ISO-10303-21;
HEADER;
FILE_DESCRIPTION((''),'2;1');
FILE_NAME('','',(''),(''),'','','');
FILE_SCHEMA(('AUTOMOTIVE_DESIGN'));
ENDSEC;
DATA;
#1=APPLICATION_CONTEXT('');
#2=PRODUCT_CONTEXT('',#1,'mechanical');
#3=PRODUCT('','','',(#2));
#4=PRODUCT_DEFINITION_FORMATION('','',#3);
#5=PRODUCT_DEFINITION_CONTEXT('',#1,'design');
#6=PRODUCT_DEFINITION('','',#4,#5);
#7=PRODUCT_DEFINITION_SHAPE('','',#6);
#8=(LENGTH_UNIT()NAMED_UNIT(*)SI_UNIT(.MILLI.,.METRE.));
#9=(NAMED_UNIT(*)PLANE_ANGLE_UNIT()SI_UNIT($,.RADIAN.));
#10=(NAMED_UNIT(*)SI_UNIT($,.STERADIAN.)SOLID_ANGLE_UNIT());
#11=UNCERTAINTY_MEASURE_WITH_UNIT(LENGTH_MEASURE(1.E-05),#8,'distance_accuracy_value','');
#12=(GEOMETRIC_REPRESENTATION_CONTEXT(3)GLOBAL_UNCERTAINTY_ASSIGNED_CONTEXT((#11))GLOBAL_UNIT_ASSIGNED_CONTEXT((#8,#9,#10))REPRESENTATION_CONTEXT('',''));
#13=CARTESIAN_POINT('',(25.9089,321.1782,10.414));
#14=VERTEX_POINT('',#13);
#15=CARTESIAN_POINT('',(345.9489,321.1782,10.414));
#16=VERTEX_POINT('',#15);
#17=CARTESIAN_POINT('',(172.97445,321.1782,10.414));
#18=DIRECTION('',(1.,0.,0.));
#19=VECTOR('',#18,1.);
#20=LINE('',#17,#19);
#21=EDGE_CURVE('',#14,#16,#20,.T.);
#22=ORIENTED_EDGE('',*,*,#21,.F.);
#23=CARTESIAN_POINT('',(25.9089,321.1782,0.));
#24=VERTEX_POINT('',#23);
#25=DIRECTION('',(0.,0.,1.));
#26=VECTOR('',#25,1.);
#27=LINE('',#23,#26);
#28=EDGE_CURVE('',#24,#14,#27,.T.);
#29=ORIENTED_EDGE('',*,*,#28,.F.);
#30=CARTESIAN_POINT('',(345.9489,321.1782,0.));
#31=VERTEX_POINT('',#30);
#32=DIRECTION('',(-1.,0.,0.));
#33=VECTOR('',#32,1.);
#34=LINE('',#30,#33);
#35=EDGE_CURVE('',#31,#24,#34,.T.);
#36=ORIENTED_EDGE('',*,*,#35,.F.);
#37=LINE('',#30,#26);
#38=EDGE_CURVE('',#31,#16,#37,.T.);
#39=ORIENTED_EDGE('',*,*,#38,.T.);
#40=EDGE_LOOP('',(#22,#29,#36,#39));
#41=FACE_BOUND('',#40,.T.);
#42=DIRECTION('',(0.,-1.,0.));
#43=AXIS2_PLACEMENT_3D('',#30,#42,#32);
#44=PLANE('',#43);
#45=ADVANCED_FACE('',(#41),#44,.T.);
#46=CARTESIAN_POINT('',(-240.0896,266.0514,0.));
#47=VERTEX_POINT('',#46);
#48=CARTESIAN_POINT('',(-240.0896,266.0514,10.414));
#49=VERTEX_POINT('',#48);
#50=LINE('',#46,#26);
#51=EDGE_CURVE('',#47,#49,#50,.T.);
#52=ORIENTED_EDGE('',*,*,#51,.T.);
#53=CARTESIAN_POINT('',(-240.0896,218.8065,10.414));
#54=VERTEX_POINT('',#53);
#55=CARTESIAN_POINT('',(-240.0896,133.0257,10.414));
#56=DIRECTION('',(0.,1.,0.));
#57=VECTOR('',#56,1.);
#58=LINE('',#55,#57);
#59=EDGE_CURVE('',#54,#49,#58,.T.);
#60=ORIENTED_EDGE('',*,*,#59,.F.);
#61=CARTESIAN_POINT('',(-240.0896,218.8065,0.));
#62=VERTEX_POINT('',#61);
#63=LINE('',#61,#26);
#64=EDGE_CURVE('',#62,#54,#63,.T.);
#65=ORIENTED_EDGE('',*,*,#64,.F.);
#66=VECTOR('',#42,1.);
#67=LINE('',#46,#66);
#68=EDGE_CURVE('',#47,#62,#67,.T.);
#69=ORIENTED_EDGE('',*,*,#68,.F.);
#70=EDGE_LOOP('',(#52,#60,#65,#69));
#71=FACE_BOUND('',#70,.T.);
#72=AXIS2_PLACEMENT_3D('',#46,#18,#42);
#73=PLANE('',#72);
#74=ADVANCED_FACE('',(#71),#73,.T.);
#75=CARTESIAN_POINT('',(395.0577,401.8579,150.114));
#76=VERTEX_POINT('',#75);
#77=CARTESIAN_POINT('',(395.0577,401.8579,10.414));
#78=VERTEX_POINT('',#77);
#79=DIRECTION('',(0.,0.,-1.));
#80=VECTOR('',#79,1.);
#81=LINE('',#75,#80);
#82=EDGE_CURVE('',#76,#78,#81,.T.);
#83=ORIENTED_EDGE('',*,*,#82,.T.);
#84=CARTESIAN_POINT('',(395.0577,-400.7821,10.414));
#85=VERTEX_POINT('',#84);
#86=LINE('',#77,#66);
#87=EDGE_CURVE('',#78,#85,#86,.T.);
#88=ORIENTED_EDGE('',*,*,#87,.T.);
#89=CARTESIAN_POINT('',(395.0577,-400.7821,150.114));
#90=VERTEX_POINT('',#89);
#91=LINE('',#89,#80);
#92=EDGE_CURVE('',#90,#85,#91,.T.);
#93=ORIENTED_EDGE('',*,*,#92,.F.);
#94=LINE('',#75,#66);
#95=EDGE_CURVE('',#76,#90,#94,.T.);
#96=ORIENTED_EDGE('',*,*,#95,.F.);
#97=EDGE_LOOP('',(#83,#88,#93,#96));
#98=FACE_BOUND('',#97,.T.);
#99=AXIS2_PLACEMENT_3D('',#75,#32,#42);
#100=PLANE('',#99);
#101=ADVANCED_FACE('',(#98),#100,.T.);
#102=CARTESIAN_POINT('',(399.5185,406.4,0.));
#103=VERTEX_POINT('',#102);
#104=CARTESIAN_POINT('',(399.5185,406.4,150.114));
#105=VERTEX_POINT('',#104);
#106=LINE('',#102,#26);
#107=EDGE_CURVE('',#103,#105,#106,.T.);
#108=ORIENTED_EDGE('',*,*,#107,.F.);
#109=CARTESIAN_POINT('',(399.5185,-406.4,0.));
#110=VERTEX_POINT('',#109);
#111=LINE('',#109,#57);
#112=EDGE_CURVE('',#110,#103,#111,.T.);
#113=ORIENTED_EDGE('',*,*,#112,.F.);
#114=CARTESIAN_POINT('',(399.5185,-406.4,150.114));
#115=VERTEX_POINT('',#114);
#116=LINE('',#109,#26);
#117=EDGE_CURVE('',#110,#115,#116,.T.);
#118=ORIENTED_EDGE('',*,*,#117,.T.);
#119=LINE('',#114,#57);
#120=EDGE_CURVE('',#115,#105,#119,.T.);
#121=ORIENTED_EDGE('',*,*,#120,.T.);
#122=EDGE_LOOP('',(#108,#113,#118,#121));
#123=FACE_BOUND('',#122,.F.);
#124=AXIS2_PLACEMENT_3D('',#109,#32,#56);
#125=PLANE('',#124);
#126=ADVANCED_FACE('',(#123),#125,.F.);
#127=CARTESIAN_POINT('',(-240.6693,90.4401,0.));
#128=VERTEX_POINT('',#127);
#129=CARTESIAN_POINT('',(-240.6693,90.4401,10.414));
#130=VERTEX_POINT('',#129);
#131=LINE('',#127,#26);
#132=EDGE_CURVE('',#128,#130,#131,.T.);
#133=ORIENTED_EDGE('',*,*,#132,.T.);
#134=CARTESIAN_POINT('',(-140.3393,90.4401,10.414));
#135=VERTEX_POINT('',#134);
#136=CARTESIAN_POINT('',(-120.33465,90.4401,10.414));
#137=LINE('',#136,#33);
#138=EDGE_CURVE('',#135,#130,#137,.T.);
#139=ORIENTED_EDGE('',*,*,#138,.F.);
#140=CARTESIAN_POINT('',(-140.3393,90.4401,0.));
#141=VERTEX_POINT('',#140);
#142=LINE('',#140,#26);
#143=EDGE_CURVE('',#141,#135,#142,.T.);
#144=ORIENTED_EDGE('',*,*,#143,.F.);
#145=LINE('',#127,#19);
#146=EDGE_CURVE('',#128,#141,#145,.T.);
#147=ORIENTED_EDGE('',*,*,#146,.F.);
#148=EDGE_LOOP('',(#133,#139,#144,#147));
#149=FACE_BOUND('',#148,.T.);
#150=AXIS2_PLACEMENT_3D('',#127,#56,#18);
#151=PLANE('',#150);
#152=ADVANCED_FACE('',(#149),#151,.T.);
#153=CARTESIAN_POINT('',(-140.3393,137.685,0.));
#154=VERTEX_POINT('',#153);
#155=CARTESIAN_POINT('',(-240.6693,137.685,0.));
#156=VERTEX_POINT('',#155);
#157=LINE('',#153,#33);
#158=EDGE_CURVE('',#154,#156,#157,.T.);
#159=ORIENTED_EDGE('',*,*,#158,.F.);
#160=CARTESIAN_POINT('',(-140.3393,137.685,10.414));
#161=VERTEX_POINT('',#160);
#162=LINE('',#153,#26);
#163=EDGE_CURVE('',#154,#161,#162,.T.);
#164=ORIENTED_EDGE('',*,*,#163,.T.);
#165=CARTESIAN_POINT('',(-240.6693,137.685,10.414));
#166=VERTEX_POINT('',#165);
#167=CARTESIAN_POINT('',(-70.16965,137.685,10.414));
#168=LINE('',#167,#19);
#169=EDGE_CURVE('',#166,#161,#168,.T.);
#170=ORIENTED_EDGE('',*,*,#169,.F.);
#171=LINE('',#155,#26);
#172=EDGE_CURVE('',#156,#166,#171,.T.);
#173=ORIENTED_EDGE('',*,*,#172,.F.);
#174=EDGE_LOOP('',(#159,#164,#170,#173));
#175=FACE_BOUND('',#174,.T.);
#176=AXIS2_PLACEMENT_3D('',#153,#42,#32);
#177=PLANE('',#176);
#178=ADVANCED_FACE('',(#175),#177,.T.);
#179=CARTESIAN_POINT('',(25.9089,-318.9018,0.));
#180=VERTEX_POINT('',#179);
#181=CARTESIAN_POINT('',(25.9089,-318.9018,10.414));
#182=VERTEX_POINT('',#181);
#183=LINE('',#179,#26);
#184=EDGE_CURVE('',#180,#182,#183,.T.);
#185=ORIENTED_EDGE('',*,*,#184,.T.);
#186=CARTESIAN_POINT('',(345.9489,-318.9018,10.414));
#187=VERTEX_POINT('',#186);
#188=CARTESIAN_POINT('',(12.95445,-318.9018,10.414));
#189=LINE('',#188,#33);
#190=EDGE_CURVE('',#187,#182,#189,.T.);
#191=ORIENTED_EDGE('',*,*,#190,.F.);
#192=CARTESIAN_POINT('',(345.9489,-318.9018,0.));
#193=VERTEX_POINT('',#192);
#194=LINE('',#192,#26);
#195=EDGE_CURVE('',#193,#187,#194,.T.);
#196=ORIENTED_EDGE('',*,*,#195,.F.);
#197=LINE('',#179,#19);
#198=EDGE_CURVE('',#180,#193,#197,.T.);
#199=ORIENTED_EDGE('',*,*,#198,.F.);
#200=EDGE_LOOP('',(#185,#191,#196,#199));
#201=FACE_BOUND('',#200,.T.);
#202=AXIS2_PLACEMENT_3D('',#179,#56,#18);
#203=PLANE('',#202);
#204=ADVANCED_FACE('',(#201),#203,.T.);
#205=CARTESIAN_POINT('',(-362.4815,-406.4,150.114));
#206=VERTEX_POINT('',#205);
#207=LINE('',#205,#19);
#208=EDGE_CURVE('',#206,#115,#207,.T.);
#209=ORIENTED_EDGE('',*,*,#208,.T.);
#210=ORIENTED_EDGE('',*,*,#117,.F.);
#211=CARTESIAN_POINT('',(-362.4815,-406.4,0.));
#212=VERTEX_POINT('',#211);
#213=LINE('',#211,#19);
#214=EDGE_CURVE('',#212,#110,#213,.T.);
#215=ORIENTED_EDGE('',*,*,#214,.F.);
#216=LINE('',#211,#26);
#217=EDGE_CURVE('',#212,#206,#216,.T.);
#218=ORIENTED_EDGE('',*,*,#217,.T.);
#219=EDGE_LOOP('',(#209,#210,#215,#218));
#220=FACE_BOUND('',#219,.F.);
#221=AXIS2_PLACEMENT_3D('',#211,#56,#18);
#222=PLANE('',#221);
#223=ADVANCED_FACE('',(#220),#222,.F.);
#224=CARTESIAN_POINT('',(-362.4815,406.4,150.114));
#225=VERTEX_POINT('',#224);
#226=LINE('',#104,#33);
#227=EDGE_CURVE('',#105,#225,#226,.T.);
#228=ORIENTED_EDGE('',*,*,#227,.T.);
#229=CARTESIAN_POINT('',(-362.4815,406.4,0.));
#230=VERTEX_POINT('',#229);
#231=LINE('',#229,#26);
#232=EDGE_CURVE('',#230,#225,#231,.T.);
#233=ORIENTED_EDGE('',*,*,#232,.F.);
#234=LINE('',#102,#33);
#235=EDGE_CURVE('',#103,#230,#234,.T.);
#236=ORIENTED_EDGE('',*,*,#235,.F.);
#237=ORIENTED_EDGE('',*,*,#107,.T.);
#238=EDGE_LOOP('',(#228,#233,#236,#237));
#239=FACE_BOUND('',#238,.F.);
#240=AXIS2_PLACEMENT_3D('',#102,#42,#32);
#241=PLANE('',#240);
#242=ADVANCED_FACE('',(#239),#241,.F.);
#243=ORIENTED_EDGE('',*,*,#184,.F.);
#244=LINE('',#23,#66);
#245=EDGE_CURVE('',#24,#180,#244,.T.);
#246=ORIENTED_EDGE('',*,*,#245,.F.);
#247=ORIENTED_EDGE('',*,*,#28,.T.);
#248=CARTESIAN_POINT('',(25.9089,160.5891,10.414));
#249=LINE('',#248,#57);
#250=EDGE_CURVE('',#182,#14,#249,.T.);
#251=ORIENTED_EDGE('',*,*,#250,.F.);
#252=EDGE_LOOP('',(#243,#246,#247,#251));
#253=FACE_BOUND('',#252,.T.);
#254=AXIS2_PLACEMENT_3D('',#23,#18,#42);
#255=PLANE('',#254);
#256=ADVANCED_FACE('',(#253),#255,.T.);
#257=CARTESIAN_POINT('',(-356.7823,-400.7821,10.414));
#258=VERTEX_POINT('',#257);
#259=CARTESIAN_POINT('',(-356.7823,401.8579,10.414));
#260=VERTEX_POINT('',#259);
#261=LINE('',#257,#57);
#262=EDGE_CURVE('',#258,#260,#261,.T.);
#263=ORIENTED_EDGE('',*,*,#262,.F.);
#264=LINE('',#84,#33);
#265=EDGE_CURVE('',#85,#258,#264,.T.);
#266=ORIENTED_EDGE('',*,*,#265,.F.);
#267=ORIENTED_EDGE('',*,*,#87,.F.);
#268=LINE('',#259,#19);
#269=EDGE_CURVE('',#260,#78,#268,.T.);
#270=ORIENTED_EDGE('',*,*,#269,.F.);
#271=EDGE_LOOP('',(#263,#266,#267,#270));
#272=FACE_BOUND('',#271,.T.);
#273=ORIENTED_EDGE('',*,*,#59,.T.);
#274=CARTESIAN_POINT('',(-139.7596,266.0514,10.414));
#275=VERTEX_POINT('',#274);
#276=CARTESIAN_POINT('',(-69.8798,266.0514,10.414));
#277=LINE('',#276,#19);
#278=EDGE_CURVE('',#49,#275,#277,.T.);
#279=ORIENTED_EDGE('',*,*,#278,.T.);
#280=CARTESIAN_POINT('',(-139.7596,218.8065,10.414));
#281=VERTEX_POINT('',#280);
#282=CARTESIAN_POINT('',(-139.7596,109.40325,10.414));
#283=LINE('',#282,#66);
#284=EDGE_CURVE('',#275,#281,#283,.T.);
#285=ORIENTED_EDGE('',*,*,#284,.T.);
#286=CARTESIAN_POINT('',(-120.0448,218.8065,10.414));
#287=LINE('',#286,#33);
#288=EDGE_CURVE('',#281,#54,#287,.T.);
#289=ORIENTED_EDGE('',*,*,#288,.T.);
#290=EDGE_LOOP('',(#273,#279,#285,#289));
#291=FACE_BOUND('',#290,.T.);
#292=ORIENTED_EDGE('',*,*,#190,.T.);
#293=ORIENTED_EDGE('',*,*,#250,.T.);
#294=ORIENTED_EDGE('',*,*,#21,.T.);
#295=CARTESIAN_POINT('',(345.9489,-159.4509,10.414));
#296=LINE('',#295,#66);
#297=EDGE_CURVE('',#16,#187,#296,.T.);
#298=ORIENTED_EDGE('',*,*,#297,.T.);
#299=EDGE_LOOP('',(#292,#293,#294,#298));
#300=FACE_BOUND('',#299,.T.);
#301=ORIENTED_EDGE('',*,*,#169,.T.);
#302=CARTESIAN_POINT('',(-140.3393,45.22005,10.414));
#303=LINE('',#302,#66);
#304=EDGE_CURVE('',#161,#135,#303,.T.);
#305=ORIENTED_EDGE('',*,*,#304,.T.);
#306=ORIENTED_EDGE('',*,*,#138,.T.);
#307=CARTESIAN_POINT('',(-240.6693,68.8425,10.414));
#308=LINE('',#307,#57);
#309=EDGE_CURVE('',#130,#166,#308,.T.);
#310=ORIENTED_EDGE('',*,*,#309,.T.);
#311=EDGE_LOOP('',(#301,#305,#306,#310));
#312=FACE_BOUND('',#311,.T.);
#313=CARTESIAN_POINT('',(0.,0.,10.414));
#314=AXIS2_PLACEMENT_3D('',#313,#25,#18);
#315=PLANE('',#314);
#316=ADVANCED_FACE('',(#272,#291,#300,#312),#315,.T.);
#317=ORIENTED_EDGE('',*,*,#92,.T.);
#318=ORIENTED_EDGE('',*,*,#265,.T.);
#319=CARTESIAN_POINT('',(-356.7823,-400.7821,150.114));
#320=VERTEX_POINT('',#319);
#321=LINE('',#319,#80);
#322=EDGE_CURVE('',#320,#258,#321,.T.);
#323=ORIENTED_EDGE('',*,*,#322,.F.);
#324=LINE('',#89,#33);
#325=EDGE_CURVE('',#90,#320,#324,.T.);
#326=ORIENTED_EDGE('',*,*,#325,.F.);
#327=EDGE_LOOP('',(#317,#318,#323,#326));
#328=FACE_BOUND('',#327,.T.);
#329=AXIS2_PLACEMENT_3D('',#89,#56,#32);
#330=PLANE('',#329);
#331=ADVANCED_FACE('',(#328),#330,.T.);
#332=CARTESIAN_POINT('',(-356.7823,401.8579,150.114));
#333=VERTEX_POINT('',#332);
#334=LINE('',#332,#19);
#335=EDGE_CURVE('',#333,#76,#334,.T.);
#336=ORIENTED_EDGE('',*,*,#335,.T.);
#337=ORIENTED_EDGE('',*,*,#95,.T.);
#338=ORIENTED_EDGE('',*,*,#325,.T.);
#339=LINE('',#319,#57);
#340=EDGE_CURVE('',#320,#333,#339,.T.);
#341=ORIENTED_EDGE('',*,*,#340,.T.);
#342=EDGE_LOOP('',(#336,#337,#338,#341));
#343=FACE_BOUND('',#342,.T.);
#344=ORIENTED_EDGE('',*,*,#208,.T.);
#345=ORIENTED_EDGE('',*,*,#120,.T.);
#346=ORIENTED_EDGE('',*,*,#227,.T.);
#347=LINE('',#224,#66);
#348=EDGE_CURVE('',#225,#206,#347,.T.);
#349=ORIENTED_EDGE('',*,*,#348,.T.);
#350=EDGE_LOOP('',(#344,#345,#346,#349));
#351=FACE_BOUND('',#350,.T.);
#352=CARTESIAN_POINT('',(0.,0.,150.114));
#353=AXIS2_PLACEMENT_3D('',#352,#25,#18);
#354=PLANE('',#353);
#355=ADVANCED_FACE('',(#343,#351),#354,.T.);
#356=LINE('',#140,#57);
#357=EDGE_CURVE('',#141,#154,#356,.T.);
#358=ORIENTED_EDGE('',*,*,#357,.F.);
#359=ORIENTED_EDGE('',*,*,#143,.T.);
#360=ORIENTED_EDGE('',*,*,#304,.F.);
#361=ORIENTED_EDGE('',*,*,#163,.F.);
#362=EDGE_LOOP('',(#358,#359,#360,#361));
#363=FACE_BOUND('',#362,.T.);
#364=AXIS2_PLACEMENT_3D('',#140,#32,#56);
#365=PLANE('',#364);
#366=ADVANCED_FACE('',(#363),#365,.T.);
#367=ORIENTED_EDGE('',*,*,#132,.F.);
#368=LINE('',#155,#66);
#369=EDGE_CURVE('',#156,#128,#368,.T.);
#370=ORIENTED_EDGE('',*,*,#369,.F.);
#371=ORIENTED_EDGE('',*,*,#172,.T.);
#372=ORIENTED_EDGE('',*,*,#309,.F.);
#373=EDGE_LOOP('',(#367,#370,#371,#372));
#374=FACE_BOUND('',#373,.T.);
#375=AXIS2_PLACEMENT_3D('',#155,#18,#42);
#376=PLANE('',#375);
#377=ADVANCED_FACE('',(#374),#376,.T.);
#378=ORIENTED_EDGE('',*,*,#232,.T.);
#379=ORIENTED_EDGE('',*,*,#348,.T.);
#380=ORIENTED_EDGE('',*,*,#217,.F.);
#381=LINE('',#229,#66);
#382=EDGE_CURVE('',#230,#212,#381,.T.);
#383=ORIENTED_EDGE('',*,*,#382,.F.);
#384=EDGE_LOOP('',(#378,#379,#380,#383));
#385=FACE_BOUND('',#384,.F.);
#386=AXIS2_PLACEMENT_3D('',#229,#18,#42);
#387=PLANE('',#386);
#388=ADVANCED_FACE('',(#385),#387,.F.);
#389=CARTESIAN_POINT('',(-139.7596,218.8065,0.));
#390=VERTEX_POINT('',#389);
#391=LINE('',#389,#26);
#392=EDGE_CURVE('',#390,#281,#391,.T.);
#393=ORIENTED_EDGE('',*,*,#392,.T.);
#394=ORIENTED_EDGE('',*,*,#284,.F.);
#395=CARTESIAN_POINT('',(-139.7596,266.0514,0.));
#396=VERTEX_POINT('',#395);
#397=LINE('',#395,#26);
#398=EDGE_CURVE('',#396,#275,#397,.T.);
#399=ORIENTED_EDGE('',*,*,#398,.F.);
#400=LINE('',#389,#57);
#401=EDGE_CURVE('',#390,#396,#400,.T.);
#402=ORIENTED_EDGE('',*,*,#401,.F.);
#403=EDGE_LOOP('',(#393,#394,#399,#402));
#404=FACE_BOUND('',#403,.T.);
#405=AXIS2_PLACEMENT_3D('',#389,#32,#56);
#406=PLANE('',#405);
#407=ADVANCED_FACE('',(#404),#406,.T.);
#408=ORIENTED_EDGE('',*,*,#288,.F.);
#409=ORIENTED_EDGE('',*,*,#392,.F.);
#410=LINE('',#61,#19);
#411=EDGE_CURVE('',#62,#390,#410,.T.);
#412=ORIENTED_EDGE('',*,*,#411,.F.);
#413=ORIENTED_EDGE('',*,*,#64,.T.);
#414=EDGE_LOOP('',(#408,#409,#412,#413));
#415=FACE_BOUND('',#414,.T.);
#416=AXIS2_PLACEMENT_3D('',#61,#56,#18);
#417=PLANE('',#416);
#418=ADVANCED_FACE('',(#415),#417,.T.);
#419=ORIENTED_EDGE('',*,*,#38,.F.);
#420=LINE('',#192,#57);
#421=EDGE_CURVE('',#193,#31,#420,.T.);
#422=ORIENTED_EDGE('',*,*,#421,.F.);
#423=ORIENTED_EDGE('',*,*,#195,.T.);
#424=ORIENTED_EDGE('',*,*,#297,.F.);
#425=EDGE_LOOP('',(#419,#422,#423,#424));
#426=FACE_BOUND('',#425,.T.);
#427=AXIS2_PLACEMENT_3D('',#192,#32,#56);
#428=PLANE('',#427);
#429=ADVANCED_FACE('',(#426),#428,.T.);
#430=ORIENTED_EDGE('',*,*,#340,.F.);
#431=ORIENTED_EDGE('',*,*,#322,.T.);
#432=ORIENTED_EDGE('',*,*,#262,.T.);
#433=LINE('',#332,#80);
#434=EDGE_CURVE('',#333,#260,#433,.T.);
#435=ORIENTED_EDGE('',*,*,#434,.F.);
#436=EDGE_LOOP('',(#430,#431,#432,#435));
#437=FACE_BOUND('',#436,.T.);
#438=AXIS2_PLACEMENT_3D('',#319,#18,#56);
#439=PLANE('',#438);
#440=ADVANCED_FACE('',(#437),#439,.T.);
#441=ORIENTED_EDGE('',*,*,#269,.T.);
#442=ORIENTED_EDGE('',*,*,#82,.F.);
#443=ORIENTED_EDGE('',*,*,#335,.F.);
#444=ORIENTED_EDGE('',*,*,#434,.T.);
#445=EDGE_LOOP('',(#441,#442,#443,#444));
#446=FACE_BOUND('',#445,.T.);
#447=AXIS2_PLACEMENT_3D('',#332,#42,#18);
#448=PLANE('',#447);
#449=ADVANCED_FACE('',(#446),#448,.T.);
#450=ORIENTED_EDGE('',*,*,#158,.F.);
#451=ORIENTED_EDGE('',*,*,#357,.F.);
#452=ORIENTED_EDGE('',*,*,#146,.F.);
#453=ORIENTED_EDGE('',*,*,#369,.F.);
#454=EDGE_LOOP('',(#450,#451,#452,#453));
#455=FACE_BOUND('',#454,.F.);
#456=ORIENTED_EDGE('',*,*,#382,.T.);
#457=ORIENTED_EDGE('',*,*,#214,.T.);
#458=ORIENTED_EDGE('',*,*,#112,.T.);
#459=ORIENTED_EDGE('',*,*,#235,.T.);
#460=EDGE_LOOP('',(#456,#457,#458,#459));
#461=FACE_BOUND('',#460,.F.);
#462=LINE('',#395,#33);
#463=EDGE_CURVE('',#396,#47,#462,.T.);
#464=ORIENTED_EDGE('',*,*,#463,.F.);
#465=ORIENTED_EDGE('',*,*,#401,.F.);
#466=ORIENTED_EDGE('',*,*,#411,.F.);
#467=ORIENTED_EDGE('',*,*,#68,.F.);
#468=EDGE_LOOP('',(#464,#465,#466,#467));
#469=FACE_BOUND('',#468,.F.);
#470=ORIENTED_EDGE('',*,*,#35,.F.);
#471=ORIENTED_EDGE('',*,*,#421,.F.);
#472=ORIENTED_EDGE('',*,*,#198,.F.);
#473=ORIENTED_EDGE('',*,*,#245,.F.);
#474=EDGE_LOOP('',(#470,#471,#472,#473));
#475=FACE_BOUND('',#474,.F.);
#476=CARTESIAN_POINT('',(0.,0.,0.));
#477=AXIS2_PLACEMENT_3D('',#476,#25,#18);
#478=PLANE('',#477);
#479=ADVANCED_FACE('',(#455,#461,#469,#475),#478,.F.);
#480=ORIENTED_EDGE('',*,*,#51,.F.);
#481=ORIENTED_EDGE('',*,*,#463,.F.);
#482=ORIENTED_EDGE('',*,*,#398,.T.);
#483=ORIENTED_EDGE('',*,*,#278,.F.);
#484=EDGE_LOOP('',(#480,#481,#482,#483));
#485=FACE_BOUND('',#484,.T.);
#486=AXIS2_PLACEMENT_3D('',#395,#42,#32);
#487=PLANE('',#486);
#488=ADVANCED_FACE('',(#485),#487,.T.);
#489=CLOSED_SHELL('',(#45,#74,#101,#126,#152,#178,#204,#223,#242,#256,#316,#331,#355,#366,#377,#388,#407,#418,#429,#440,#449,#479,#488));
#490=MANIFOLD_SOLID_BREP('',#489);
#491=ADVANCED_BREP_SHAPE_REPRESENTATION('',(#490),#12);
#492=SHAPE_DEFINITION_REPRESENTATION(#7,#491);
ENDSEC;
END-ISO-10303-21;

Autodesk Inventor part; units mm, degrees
ref_plane "YZ Plane" through (0, 0, 0) normal (1, 0, 0) x (0, 1, 0)
ref_plane "XZ Plane" through (0, 0, 0) normal (0, 1, 0) x (-1, 0, 0)
ref_plane "XY Plane" through (0, 0, 0) normal (0, 0, 1) x (1, 0, 0)
sketch "Sketch1" plane through (0, 0, 0) normal (0, 0, 1) x (1, 0, 0)
  line L0 (-362.4815, -406.4) -> (399.5185, -406.4)
  line L1 (399.5185, -406.4) -> (399.5185, 406.4)
  line L2 (399.5185, 406.4) -> (-362.4815, 406.4)
  line L3 (-362.4815, 406.4) -> (-362.4815, -406.4)
  point P0 (0, 0)
extrude "Extrusion1" add sketch "Sketch1" along normal blind 150.114
sketch "Sketch3" plane through (0, 0, 150.114) normal (0, 0, 1) x (1, 0, 0)
  line L0 (-356.7823, 401.8579) -> (395.0577, 401.8579)
  line L1 (395.0577, 401.8579) -> (395.0577, -400.7821)
  line L2 (395.0577, -400.7821) -> (-356.7823, -400.7821)
  line L3 (-356.7823, -400.7821) -> (-356.7823, 401.8579)
  point P0 (0, 0)
  dimension "d10" = 751.84
  dimension "d11" = 802.64
extrude "Extrusion2" cut sketch "Sketch3" against normal blind 139.7
sketch "Sketch4" plane through (0, 0, 0) normal (0, 0, -1) x (-1, 0, 0)
  line L0 (-345.9489, 321.1782) -> (-25.9089, 321.1782)
  line L1 (-25.9089, 321.1782) -> (-25.9089, -318.9018)
  line L2 (-25.9089, -318.9018) -> (-345.9489, -318.9018)
  line L3 (-345.9489, -318.9018) -> (-345.9489, 321.1782)
  line L4 (140.3393, 137.685) -> (240.6693, 137.685)
  line L5 (240.6693, 137.685) -> (240.6693, 90.4401)
  line L6 (240.6693, 90.4401) -> (140.3393, 90.4401)
  line L7 (140.3393, 90.4401) -> (140.3393, 137.685)
  line L8 (139.7596, 266.0514) -> (240.0896, 266.0514)
  line L9 (240.0896, 266.0514) -> (240.0896, 218.8065)
  line L10 (240.0896, 218.8065) -> (139.7596, 218.8065)
  line L11 (139.7596, 218.8065) -> (139.7596, 266.0514)
  point P0 (0, 0)
  dimension "d17" = 100.33
  dimension "d18" = 47.2449
  dimension "d19" = 100.33
  dimension "d20" = 47.2449
extrude "Extrusion3" cut sketch "Sketch4" against normal blind 279.4
properties part number "tetris body"
